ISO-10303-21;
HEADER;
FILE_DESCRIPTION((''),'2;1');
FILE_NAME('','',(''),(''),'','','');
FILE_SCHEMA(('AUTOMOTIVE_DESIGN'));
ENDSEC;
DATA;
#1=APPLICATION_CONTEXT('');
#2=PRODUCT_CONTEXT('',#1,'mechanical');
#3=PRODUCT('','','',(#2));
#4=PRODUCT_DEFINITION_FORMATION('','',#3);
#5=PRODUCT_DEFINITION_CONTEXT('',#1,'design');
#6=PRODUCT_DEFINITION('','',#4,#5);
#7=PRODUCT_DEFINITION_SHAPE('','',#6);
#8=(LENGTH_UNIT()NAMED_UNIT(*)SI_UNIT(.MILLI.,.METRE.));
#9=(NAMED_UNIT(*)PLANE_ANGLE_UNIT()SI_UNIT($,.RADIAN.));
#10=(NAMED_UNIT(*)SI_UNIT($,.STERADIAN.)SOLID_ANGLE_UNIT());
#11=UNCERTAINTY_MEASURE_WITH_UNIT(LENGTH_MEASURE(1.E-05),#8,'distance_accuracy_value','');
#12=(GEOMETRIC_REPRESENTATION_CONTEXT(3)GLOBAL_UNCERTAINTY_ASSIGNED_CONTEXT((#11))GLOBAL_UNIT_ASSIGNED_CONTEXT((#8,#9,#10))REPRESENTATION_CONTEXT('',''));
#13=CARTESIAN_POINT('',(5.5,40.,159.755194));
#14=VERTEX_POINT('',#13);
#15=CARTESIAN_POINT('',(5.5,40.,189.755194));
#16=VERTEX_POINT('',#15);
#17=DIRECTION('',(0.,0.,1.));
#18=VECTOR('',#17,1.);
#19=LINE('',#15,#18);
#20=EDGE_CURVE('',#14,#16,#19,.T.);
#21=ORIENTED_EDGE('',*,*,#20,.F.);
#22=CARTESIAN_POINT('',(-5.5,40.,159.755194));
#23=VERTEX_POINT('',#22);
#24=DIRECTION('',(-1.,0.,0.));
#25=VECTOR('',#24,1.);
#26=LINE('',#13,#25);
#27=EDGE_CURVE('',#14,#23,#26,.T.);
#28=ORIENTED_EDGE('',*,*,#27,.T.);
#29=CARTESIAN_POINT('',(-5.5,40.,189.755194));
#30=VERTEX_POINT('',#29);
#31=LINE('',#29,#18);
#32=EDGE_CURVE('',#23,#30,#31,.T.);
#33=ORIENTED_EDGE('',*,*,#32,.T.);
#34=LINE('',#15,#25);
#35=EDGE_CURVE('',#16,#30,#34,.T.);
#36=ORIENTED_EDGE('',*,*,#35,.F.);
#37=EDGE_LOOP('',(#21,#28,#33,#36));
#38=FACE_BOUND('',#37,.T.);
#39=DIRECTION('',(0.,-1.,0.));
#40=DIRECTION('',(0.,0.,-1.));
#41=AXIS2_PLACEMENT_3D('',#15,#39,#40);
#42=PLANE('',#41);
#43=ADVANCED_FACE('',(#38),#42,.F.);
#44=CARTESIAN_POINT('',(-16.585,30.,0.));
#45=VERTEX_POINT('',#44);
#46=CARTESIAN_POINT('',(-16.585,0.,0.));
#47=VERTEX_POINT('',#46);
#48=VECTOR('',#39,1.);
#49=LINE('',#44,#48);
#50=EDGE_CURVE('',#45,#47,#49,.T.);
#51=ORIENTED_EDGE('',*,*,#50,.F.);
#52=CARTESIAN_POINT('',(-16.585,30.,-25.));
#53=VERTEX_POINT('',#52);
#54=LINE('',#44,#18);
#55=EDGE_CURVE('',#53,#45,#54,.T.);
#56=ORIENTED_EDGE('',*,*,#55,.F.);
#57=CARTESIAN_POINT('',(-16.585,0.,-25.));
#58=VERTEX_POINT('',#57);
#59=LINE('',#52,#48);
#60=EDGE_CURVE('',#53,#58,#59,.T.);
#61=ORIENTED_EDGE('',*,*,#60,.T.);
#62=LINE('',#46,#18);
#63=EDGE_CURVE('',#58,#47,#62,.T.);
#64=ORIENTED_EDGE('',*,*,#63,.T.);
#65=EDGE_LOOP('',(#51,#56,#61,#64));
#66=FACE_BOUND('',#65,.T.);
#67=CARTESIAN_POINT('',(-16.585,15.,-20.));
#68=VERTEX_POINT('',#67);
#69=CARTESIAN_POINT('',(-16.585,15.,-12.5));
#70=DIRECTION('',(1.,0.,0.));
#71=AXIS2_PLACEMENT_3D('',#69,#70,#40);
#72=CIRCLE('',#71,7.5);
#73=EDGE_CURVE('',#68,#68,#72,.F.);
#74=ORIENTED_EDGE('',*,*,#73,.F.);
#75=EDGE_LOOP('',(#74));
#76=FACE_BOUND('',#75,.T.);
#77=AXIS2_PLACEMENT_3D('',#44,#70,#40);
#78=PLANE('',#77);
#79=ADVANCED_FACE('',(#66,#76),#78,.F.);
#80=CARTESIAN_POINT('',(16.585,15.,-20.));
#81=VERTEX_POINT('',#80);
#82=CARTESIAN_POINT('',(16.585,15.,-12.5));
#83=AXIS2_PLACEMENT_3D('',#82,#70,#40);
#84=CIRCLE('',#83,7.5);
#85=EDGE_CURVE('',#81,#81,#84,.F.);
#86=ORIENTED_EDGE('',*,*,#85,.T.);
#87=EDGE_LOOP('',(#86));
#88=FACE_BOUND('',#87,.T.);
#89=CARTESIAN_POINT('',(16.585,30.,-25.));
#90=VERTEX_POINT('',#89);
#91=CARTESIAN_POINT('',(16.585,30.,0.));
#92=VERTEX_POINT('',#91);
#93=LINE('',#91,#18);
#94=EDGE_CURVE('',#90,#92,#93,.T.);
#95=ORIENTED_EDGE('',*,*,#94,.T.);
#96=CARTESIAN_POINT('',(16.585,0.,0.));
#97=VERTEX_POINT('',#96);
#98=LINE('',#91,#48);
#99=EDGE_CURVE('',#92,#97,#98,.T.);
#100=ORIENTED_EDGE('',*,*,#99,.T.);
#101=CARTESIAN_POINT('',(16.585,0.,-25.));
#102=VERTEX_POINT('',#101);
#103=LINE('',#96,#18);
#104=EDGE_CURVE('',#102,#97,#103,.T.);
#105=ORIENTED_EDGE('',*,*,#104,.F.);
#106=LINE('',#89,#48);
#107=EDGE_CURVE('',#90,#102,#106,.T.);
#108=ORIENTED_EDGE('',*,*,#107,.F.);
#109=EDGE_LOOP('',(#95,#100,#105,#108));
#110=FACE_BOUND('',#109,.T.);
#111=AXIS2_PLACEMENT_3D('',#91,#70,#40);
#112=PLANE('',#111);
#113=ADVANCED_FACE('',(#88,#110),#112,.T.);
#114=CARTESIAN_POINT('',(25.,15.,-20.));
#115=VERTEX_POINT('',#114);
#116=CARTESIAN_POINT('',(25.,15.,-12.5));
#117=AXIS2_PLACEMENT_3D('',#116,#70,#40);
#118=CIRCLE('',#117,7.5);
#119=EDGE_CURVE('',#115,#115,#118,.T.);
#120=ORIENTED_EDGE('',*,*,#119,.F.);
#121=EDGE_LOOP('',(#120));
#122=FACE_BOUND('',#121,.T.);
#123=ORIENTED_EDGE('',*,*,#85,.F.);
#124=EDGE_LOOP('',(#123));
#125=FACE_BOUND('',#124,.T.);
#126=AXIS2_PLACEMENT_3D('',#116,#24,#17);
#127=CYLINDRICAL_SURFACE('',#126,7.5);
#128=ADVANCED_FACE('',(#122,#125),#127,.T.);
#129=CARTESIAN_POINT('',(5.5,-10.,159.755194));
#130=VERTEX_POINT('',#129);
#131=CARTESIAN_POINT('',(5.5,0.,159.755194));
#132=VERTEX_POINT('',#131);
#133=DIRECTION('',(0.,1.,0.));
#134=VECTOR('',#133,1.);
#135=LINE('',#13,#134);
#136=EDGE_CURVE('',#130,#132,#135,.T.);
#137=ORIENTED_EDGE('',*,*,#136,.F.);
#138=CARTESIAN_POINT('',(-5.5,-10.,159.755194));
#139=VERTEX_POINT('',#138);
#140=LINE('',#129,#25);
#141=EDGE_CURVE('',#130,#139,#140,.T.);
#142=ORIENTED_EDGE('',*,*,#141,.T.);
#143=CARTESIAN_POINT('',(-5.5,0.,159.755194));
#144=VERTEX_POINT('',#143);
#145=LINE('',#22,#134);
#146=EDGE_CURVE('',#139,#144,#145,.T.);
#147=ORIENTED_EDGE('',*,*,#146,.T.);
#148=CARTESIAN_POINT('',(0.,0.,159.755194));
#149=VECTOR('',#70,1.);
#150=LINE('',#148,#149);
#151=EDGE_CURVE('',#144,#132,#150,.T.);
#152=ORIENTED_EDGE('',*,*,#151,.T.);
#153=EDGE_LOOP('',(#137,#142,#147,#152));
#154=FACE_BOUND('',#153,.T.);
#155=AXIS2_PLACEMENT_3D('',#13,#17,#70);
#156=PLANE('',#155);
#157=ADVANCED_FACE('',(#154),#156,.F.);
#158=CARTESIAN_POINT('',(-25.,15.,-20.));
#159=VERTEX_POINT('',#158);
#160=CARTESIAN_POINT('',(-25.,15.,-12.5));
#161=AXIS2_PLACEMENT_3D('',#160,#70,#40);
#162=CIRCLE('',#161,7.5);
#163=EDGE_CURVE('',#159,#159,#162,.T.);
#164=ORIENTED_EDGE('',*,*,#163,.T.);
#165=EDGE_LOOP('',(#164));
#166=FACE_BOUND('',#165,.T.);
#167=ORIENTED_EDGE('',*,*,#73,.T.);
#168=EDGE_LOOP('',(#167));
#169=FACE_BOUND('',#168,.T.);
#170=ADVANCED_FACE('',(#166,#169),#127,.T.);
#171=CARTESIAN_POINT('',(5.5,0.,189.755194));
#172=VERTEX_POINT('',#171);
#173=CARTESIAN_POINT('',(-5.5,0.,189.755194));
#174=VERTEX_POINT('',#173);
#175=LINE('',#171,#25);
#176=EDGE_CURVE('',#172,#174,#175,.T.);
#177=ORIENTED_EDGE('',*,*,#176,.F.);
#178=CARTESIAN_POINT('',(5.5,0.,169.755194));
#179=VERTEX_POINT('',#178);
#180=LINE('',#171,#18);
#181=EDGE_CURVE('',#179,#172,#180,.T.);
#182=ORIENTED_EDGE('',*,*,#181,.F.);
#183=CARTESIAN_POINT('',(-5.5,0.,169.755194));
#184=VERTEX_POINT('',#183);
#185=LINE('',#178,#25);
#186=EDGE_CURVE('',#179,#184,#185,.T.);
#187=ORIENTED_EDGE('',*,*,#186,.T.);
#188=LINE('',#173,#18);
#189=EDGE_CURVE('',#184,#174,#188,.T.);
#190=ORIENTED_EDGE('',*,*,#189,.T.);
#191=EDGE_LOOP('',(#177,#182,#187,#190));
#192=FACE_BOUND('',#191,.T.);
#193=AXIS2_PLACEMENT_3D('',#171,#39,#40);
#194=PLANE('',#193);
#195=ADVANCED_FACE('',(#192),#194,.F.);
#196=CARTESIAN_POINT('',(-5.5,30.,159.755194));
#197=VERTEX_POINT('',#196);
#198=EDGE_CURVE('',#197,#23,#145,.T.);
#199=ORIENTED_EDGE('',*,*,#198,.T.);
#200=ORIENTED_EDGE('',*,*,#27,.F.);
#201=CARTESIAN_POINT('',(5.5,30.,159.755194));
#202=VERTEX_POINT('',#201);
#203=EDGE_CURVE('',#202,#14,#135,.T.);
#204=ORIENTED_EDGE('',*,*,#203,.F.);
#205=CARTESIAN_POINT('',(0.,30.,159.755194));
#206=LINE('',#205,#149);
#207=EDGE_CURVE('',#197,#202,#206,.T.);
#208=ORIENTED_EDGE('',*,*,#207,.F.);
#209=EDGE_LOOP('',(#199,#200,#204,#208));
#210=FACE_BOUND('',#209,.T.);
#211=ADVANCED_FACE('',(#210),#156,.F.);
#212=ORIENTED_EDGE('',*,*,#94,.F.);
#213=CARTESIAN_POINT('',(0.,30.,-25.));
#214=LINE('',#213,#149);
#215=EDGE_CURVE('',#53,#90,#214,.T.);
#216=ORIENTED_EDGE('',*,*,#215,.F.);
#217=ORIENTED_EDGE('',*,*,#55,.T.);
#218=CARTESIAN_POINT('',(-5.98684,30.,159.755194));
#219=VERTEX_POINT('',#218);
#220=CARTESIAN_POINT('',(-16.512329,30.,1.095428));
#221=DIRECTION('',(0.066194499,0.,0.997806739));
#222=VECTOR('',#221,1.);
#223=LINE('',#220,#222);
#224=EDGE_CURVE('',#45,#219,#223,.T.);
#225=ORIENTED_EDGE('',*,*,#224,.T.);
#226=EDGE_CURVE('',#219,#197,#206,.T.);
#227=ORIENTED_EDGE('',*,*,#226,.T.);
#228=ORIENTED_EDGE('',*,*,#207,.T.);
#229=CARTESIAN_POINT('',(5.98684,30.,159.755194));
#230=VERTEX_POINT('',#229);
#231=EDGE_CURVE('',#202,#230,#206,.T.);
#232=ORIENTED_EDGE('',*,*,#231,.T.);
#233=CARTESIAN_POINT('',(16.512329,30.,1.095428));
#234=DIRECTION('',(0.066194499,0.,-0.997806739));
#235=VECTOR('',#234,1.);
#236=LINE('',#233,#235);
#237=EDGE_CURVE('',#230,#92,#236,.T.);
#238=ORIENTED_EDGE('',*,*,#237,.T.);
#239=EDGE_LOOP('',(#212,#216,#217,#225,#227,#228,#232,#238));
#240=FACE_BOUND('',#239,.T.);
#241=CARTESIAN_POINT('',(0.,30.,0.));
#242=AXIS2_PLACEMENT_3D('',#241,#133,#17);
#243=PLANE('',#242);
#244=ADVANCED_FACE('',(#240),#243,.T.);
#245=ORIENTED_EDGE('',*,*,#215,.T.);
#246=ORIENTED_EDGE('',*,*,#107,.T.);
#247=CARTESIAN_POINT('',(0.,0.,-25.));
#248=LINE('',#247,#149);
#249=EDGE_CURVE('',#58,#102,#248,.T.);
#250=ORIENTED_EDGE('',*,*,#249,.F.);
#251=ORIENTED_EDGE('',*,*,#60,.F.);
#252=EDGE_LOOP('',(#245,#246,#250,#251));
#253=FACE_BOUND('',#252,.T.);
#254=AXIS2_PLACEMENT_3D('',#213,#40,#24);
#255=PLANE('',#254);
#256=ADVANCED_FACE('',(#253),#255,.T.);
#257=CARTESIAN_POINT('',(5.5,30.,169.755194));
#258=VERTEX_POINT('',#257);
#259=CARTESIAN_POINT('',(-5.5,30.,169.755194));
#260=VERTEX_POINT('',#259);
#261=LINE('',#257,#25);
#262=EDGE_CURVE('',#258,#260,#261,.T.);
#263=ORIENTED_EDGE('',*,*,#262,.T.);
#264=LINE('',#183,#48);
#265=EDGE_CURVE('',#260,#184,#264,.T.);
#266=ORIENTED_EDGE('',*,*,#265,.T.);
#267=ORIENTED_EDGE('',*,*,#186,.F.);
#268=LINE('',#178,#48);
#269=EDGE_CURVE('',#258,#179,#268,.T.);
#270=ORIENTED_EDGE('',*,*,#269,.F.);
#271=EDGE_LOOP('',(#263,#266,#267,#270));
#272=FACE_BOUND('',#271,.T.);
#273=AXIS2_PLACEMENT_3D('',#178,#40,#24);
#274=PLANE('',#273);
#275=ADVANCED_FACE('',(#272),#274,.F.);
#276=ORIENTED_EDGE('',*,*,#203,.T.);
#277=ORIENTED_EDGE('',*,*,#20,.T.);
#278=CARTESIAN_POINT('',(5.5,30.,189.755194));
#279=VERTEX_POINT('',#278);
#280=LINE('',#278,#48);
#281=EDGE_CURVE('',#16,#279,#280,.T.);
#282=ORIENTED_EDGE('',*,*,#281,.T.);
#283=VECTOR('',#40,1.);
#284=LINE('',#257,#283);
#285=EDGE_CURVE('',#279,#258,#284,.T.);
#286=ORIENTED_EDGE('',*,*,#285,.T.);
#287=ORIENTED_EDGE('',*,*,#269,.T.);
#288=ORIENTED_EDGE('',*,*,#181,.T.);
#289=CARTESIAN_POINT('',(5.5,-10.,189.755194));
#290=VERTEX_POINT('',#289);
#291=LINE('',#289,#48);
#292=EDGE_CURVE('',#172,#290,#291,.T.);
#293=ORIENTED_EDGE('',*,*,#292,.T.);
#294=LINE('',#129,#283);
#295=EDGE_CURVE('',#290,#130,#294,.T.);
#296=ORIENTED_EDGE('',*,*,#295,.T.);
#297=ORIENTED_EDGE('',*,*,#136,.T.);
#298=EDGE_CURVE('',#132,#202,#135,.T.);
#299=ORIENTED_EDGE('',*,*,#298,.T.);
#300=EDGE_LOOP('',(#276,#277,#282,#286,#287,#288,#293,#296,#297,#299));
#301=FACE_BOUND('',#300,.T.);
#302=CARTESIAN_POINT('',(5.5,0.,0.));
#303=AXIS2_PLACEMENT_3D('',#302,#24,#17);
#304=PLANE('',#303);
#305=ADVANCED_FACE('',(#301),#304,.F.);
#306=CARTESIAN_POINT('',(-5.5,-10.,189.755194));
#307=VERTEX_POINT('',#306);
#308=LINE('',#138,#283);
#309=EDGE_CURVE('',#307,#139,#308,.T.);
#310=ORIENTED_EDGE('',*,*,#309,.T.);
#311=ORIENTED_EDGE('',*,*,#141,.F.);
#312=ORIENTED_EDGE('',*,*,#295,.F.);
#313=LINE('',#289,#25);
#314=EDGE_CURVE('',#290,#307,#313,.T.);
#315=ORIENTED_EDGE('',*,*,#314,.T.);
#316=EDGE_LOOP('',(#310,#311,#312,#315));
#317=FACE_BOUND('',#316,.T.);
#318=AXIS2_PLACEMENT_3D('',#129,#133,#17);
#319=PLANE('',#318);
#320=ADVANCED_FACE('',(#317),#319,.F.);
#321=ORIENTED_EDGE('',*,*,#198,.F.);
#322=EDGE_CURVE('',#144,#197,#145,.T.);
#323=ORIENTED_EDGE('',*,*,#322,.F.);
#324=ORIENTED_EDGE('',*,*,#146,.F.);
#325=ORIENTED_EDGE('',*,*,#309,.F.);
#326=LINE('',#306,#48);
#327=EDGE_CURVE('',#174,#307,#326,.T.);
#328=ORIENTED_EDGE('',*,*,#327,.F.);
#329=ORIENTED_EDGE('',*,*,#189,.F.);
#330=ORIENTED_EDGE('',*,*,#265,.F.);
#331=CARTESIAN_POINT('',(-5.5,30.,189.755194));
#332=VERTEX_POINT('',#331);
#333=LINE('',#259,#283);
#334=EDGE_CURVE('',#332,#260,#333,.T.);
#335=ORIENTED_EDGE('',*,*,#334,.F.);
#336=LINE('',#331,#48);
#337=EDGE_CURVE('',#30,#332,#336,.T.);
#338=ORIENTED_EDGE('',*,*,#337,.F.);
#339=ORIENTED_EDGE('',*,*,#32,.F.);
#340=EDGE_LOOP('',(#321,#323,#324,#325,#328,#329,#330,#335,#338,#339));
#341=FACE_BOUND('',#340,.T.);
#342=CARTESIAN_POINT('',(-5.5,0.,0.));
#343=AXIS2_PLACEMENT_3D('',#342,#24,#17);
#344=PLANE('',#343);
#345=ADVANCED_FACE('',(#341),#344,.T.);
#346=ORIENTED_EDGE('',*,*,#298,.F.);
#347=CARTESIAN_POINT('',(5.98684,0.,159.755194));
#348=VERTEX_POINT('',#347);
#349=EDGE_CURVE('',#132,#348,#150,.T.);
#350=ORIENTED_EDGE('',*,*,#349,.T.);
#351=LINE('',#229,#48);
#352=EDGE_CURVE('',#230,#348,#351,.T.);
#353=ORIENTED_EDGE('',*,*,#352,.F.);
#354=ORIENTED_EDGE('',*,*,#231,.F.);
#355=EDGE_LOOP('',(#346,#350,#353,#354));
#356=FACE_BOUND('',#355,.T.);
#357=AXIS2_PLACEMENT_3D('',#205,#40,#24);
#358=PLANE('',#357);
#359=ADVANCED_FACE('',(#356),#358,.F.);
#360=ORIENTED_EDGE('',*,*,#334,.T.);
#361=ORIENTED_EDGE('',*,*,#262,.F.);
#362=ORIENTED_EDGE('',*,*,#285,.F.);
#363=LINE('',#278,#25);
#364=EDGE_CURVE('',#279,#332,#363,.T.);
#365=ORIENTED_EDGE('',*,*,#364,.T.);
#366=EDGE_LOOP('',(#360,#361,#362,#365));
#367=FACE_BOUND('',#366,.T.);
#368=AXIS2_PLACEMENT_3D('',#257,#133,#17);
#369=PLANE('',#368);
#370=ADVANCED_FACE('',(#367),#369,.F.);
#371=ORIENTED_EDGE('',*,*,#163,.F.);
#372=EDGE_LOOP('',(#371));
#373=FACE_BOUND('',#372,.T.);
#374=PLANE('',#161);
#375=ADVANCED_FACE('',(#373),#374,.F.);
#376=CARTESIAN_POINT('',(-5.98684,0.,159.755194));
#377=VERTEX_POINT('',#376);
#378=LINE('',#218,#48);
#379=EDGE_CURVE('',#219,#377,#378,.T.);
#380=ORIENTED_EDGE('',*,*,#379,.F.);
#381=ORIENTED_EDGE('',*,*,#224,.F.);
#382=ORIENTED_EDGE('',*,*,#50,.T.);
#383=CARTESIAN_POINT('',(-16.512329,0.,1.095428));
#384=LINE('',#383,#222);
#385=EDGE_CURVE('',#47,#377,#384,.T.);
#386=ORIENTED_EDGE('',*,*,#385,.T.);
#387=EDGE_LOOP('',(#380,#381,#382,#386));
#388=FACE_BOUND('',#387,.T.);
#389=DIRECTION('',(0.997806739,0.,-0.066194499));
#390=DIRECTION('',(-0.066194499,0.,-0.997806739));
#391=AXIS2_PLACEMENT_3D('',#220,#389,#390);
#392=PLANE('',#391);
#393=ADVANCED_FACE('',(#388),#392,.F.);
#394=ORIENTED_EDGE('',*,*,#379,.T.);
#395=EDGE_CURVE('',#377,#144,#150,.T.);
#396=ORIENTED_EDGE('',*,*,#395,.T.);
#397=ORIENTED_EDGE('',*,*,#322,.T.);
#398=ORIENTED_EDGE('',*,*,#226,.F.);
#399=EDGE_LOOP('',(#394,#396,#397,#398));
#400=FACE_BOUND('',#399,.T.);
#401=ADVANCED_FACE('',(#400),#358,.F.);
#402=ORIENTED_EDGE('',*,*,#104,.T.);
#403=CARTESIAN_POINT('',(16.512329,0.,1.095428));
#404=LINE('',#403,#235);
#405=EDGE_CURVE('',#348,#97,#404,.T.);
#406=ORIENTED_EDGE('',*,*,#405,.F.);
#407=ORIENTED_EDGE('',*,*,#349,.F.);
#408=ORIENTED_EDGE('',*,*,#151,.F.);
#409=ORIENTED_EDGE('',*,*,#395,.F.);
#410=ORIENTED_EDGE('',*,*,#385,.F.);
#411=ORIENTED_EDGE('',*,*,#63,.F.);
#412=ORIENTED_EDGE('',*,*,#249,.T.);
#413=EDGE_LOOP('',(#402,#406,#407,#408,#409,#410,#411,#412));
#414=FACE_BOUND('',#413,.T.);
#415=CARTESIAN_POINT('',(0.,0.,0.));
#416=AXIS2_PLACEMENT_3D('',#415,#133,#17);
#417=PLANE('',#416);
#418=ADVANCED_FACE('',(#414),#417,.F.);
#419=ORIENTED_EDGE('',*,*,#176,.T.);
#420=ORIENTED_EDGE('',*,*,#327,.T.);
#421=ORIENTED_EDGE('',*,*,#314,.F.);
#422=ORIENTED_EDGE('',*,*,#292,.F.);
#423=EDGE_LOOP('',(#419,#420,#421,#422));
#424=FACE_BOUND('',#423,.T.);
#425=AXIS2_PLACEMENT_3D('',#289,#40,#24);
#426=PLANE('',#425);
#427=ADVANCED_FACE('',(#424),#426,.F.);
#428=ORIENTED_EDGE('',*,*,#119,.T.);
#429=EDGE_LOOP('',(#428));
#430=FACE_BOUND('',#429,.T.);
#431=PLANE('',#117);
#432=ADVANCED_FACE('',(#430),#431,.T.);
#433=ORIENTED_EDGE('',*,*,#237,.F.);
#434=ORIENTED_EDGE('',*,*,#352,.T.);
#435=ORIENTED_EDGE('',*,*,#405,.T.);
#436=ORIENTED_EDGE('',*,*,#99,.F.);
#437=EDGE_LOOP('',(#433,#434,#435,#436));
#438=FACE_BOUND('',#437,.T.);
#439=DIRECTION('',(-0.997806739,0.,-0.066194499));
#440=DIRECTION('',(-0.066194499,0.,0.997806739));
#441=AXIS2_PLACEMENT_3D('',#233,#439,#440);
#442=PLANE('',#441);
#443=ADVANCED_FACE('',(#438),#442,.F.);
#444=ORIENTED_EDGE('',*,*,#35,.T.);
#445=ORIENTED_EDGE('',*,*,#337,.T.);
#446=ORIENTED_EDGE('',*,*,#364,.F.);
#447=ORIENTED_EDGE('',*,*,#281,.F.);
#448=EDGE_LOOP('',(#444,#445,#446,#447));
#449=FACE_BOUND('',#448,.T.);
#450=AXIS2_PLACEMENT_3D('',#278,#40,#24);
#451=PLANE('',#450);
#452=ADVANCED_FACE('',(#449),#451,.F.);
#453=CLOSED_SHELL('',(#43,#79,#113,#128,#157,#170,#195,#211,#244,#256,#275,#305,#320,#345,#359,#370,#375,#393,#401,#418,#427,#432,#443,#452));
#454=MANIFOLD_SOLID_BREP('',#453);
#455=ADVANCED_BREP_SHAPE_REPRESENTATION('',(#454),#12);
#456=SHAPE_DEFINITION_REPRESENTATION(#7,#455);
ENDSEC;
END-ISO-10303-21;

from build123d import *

# Parameters (mm, degrees)
BOSS_EXTRUDE2_DEPTH = 30
SKETCH4_R           = 7.5
BOSS_EXTRUDE3_DEPTH = 25
BOSS_EXTRUDE4_DEPTH = 5.5


with BuildPart() as part:
    # Sketch1 → Boss-Extrude2 (new body)
    with BuildSketch(Plane(origin=(0, 0, 0), x_dir=(1, 0, 0), z_dir=(0, 1, 0))):
        Polygon((-16.585, 0), (-5.986840434, -159.755193945), (5.986840434, -159.755193945), (16.585, 0), (16.585, 25), (-16.585, 25), align=None)
    extrude(amount=BOSS_EXTRUDE2_DEPTH)

    # Sketch4 → Boss-Extrude3 (add, symmetric)
    with BuildSketch(Plane(origin=(0, 0, 0), x_dir=(0, 0, -1), z_dir=(1, 0, 0))):
        with Locations((12.5, 15)):
            Circle(SKETCH4_R)
    extrude(amount=BOSS_EXTRUDE3_DEPTH, both=True)

    # Sketch6 → Boss-Extrude4 (add, symmetric)
    with BuildSketch(Plane(origin=(0, 0, 0), x_dir=(0, 0, -1), z_dir=(1, 0, 0))):
        Polygon((-189.755193945, 40), (-159.755193945, 40), (-159.755193945, -10), (-189.755193945, -10), (-189.755193945, 0), (-169.755193945, 0), (-169.755193945, 30), (-189.755193945, 30), align=None)
    extrude(amount=BOSS_EXTRUDE4_DEPTH, both=True)


solid = part.part
